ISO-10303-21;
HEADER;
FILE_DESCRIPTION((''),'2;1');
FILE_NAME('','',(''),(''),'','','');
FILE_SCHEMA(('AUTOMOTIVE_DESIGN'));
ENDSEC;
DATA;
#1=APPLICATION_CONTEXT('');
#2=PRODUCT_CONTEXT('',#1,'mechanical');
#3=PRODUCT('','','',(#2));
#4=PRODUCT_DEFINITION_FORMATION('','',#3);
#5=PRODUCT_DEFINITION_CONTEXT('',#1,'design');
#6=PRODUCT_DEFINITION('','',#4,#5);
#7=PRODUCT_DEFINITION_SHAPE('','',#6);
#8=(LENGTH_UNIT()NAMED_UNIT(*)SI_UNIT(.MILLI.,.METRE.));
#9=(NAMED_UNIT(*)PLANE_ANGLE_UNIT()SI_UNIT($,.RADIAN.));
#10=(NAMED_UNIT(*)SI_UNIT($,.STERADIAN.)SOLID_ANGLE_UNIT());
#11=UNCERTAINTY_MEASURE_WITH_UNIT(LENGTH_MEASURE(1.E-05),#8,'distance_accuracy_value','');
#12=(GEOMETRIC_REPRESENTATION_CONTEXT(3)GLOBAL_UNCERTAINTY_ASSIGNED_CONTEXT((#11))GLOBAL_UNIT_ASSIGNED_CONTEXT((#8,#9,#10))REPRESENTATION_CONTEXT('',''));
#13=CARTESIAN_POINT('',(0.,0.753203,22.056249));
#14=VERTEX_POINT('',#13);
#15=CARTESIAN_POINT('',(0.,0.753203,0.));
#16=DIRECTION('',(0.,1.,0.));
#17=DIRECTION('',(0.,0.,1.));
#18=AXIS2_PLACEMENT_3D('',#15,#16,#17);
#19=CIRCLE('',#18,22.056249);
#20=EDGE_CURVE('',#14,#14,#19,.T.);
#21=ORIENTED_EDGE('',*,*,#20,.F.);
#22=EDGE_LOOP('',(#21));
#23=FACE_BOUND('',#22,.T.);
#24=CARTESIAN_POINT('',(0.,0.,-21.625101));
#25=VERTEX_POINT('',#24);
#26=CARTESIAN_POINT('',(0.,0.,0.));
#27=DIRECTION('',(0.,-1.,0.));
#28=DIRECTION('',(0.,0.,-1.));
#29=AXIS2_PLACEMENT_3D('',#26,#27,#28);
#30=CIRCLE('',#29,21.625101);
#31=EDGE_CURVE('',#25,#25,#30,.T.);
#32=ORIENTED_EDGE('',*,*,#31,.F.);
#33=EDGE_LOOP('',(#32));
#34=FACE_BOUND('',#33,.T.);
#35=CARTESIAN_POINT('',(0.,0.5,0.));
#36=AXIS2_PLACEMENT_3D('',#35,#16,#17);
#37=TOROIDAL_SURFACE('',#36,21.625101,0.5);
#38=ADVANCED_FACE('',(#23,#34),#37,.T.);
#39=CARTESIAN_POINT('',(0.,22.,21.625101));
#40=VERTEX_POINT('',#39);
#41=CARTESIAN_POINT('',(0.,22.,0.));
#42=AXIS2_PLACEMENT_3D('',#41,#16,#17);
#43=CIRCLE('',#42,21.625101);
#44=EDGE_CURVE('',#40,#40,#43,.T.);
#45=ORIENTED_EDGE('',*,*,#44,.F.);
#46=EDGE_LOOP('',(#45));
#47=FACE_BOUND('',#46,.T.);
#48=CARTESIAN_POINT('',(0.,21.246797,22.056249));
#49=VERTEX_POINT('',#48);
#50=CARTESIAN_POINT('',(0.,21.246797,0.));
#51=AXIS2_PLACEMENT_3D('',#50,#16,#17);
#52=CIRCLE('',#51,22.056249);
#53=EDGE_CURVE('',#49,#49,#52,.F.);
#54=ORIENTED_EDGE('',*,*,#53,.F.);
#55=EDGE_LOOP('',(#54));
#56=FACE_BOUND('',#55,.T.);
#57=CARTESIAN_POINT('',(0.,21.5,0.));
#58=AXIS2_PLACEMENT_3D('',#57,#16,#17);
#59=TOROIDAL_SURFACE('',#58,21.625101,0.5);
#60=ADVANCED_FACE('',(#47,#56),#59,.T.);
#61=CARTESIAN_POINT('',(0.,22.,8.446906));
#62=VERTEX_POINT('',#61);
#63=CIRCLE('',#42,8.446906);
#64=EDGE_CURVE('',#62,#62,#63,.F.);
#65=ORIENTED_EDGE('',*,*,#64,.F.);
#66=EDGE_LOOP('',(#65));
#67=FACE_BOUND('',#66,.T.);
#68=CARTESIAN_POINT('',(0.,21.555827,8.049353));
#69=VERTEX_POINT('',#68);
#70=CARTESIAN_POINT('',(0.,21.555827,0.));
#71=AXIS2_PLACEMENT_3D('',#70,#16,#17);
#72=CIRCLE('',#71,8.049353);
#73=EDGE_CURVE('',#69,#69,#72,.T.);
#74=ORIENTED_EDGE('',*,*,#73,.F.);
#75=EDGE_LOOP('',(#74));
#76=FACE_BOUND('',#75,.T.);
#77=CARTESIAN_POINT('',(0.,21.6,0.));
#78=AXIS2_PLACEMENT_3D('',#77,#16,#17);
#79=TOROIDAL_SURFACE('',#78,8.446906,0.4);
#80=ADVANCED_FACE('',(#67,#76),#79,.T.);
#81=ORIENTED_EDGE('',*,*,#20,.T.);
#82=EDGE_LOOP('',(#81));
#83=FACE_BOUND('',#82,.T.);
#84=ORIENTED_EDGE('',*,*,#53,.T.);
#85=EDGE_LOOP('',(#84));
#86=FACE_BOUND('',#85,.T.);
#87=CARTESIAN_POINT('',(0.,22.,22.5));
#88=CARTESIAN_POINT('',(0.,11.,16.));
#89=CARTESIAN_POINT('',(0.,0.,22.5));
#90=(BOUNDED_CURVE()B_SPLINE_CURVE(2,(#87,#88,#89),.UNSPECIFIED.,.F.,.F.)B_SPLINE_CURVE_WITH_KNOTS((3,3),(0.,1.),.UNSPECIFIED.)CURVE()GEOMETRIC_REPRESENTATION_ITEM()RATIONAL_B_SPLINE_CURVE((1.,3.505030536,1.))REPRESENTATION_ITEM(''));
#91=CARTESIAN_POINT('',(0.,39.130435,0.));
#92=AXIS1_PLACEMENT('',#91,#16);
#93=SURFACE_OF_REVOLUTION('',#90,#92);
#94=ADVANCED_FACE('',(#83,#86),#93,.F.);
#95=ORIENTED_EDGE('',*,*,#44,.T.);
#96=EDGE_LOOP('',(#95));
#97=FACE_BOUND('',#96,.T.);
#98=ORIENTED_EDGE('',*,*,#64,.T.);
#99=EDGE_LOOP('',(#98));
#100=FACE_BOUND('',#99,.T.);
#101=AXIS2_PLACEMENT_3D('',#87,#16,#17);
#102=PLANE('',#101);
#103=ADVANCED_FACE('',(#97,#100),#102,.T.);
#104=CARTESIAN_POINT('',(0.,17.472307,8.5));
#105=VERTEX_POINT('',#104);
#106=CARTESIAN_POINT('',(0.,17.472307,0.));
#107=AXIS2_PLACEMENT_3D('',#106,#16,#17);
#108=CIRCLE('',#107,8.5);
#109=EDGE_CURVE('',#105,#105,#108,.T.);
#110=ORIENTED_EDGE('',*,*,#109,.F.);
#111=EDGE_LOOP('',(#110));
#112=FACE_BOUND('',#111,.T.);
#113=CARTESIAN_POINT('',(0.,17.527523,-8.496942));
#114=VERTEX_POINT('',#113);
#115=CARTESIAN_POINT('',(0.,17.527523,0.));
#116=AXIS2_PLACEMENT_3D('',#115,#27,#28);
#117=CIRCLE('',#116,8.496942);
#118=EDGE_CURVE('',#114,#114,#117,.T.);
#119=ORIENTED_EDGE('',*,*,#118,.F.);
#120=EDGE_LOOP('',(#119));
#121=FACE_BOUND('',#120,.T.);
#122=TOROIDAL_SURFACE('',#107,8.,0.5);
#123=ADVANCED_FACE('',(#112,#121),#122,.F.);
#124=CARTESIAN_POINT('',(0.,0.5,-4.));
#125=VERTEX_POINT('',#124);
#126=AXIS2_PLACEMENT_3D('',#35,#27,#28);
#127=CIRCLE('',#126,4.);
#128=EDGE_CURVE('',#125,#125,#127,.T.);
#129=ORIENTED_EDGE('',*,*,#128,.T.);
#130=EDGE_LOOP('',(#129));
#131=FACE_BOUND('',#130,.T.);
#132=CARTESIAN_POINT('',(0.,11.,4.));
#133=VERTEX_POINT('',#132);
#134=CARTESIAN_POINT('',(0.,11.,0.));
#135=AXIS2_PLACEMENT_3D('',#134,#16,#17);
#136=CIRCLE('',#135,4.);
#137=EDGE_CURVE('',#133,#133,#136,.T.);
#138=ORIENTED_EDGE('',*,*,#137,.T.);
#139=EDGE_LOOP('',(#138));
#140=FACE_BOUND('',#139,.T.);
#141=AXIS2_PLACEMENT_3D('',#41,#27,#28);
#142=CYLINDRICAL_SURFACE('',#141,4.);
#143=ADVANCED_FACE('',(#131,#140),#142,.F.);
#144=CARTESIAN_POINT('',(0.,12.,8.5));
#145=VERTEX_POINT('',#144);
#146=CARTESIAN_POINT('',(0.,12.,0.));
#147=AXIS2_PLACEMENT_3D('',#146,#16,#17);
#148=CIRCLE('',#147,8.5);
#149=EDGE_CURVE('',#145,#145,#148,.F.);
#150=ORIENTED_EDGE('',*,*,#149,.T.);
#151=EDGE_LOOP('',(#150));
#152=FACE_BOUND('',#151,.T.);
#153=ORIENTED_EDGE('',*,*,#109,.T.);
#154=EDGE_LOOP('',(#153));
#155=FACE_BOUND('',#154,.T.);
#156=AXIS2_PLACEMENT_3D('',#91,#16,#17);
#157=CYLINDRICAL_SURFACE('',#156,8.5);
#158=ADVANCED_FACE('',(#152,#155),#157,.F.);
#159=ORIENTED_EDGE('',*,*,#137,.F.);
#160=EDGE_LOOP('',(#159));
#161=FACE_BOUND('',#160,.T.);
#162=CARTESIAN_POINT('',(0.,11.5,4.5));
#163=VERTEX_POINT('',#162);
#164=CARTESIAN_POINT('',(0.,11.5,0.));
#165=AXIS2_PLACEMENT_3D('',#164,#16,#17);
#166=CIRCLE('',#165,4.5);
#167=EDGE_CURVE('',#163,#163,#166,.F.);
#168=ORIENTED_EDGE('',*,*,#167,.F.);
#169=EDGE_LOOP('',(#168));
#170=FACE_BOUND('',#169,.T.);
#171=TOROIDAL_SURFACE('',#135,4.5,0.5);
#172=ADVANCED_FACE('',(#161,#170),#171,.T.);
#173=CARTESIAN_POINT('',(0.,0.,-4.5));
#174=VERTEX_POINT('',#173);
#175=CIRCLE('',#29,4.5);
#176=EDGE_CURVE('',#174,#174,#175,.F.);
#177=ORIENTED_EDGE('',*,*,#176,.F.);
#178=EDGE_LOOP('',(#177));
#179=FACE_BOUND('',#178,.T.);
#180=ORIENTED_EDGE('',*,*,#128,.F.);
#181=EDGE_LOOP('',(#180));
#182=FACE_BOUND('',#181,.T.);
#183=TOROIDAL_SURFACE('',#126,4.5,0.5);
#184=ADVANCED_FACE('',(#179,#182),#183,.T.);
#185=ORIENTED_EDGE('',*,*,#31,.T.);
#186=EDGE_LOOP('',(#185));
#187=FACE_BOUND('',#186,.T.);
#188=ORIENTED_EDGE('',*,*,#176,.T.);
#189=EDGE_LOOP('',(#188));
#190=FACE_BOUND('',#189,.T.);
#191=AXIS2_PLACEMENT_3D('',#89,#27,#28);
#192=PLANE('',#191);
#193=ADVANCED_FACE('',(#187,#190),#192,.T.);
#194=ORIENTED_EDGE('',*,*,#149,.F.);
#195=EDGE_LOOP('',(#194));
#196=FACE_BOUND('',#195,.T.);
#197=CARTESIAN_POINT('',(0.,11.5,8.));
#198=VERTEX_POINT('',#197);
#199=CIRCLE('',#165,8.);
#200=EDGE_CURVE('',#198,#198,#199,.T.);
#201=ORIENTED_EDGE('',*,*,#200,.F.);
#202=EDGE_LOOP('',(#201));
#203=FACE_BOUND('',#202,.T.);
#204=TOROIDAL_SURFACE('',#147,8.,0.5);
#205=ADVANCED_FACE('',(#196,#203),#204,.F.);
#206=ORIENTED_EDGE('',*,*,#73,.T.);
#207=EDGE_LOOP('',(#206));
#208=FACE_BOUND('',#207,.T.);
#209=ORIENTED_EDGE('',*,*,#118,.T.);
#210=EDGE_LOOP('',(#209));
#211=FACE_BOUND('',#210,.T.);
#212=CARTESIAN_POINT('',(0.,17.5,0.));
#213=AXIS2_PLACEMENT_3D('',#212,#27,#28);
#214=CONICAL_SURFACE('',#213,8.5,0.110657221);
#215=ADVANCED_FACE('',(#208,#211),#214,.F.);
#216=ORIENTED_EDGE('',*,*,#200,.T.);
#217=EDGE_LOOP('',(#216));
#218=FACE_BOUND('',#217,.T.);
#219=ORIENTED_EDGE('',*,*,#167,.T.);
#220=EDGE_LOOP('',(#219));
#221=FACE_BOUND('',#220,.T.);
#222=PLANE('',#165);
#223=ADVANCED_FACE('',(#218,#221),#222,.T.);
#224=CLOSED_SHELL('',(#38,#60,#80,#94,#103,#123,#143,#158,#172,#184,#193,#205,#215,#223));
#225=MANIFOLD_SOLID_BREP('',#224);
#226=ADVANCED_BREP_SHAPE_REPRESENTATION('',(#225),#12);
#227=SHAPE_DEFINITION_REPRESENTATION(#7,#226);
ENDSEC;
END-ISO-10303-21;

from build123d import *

# Parameters (mm, degrees)
SKETCH2_R          = 4
CUT_EXTRUDE1_DEPTH = 39.684622441
FILLET1_R          = 0.5
FILLET2_R          = 0.4


with BuildPart() as part:
    # Sketch1 → Revolve1 (revolve)
    with BuildSketch(Plane(origin=(0, 0, 0), x_dir=(0, 0, -1), z_dir=(1, 0, 0))):
        with BuildLine():
            Line((-22.5, 0), (0, 0))
            Line((0, 0), (0, 11.5))
            Line((0, 11.5), (-8.5, 11.5))
            Line((-8.5, 11.5), (-8.5, 17.5))
            Line((-8.5, 17.5), (-8, 22))
            Line((-8, 22), (-22.5, 22))
            add(Edge.make_bspline(
                [(-22.5, 22), (-16, 11), (-22.5, 0)],
                knots=[0, 0, 0, 1, 1, 1], degree=2, weights=[1, 3.505030536, 1]))
        make_face()
    revolve(axis=Axis((0, 39.130434783, 0), (0, -1, 0)))

    # Sketch2 → Cut-Extrude1 (cut, through all)
    with BuildSketch(Plane.XZ):
        Circle(SKETCH2_R)
    extrude(amount=-CUT_EXTRUDE1_DEPTH, mode=Mode.SUBTRACT)

    # Fillet1
    fillet1_edges = [part.edges().sort_by_distance(p)[0] for p in [
        (-4, 11.5, 0),
        (-4, 0, 0),
        (0, 11.5, -8.5),
        (0, 17.5, -8.5),
        (0, 0, -22.5),
        (0, 22, -22.5),
    ]]
    fillet(fillet1_edges, radius=FILLET1_R)

    # Fillet2
    fillet2_edges = [part.edges().sort_by_distance(p)[0] for p in [
        (0, 22, -8),
    ]]
    fillet(fillet2_edges, radius=FILLET2_R)


solid = part.part
